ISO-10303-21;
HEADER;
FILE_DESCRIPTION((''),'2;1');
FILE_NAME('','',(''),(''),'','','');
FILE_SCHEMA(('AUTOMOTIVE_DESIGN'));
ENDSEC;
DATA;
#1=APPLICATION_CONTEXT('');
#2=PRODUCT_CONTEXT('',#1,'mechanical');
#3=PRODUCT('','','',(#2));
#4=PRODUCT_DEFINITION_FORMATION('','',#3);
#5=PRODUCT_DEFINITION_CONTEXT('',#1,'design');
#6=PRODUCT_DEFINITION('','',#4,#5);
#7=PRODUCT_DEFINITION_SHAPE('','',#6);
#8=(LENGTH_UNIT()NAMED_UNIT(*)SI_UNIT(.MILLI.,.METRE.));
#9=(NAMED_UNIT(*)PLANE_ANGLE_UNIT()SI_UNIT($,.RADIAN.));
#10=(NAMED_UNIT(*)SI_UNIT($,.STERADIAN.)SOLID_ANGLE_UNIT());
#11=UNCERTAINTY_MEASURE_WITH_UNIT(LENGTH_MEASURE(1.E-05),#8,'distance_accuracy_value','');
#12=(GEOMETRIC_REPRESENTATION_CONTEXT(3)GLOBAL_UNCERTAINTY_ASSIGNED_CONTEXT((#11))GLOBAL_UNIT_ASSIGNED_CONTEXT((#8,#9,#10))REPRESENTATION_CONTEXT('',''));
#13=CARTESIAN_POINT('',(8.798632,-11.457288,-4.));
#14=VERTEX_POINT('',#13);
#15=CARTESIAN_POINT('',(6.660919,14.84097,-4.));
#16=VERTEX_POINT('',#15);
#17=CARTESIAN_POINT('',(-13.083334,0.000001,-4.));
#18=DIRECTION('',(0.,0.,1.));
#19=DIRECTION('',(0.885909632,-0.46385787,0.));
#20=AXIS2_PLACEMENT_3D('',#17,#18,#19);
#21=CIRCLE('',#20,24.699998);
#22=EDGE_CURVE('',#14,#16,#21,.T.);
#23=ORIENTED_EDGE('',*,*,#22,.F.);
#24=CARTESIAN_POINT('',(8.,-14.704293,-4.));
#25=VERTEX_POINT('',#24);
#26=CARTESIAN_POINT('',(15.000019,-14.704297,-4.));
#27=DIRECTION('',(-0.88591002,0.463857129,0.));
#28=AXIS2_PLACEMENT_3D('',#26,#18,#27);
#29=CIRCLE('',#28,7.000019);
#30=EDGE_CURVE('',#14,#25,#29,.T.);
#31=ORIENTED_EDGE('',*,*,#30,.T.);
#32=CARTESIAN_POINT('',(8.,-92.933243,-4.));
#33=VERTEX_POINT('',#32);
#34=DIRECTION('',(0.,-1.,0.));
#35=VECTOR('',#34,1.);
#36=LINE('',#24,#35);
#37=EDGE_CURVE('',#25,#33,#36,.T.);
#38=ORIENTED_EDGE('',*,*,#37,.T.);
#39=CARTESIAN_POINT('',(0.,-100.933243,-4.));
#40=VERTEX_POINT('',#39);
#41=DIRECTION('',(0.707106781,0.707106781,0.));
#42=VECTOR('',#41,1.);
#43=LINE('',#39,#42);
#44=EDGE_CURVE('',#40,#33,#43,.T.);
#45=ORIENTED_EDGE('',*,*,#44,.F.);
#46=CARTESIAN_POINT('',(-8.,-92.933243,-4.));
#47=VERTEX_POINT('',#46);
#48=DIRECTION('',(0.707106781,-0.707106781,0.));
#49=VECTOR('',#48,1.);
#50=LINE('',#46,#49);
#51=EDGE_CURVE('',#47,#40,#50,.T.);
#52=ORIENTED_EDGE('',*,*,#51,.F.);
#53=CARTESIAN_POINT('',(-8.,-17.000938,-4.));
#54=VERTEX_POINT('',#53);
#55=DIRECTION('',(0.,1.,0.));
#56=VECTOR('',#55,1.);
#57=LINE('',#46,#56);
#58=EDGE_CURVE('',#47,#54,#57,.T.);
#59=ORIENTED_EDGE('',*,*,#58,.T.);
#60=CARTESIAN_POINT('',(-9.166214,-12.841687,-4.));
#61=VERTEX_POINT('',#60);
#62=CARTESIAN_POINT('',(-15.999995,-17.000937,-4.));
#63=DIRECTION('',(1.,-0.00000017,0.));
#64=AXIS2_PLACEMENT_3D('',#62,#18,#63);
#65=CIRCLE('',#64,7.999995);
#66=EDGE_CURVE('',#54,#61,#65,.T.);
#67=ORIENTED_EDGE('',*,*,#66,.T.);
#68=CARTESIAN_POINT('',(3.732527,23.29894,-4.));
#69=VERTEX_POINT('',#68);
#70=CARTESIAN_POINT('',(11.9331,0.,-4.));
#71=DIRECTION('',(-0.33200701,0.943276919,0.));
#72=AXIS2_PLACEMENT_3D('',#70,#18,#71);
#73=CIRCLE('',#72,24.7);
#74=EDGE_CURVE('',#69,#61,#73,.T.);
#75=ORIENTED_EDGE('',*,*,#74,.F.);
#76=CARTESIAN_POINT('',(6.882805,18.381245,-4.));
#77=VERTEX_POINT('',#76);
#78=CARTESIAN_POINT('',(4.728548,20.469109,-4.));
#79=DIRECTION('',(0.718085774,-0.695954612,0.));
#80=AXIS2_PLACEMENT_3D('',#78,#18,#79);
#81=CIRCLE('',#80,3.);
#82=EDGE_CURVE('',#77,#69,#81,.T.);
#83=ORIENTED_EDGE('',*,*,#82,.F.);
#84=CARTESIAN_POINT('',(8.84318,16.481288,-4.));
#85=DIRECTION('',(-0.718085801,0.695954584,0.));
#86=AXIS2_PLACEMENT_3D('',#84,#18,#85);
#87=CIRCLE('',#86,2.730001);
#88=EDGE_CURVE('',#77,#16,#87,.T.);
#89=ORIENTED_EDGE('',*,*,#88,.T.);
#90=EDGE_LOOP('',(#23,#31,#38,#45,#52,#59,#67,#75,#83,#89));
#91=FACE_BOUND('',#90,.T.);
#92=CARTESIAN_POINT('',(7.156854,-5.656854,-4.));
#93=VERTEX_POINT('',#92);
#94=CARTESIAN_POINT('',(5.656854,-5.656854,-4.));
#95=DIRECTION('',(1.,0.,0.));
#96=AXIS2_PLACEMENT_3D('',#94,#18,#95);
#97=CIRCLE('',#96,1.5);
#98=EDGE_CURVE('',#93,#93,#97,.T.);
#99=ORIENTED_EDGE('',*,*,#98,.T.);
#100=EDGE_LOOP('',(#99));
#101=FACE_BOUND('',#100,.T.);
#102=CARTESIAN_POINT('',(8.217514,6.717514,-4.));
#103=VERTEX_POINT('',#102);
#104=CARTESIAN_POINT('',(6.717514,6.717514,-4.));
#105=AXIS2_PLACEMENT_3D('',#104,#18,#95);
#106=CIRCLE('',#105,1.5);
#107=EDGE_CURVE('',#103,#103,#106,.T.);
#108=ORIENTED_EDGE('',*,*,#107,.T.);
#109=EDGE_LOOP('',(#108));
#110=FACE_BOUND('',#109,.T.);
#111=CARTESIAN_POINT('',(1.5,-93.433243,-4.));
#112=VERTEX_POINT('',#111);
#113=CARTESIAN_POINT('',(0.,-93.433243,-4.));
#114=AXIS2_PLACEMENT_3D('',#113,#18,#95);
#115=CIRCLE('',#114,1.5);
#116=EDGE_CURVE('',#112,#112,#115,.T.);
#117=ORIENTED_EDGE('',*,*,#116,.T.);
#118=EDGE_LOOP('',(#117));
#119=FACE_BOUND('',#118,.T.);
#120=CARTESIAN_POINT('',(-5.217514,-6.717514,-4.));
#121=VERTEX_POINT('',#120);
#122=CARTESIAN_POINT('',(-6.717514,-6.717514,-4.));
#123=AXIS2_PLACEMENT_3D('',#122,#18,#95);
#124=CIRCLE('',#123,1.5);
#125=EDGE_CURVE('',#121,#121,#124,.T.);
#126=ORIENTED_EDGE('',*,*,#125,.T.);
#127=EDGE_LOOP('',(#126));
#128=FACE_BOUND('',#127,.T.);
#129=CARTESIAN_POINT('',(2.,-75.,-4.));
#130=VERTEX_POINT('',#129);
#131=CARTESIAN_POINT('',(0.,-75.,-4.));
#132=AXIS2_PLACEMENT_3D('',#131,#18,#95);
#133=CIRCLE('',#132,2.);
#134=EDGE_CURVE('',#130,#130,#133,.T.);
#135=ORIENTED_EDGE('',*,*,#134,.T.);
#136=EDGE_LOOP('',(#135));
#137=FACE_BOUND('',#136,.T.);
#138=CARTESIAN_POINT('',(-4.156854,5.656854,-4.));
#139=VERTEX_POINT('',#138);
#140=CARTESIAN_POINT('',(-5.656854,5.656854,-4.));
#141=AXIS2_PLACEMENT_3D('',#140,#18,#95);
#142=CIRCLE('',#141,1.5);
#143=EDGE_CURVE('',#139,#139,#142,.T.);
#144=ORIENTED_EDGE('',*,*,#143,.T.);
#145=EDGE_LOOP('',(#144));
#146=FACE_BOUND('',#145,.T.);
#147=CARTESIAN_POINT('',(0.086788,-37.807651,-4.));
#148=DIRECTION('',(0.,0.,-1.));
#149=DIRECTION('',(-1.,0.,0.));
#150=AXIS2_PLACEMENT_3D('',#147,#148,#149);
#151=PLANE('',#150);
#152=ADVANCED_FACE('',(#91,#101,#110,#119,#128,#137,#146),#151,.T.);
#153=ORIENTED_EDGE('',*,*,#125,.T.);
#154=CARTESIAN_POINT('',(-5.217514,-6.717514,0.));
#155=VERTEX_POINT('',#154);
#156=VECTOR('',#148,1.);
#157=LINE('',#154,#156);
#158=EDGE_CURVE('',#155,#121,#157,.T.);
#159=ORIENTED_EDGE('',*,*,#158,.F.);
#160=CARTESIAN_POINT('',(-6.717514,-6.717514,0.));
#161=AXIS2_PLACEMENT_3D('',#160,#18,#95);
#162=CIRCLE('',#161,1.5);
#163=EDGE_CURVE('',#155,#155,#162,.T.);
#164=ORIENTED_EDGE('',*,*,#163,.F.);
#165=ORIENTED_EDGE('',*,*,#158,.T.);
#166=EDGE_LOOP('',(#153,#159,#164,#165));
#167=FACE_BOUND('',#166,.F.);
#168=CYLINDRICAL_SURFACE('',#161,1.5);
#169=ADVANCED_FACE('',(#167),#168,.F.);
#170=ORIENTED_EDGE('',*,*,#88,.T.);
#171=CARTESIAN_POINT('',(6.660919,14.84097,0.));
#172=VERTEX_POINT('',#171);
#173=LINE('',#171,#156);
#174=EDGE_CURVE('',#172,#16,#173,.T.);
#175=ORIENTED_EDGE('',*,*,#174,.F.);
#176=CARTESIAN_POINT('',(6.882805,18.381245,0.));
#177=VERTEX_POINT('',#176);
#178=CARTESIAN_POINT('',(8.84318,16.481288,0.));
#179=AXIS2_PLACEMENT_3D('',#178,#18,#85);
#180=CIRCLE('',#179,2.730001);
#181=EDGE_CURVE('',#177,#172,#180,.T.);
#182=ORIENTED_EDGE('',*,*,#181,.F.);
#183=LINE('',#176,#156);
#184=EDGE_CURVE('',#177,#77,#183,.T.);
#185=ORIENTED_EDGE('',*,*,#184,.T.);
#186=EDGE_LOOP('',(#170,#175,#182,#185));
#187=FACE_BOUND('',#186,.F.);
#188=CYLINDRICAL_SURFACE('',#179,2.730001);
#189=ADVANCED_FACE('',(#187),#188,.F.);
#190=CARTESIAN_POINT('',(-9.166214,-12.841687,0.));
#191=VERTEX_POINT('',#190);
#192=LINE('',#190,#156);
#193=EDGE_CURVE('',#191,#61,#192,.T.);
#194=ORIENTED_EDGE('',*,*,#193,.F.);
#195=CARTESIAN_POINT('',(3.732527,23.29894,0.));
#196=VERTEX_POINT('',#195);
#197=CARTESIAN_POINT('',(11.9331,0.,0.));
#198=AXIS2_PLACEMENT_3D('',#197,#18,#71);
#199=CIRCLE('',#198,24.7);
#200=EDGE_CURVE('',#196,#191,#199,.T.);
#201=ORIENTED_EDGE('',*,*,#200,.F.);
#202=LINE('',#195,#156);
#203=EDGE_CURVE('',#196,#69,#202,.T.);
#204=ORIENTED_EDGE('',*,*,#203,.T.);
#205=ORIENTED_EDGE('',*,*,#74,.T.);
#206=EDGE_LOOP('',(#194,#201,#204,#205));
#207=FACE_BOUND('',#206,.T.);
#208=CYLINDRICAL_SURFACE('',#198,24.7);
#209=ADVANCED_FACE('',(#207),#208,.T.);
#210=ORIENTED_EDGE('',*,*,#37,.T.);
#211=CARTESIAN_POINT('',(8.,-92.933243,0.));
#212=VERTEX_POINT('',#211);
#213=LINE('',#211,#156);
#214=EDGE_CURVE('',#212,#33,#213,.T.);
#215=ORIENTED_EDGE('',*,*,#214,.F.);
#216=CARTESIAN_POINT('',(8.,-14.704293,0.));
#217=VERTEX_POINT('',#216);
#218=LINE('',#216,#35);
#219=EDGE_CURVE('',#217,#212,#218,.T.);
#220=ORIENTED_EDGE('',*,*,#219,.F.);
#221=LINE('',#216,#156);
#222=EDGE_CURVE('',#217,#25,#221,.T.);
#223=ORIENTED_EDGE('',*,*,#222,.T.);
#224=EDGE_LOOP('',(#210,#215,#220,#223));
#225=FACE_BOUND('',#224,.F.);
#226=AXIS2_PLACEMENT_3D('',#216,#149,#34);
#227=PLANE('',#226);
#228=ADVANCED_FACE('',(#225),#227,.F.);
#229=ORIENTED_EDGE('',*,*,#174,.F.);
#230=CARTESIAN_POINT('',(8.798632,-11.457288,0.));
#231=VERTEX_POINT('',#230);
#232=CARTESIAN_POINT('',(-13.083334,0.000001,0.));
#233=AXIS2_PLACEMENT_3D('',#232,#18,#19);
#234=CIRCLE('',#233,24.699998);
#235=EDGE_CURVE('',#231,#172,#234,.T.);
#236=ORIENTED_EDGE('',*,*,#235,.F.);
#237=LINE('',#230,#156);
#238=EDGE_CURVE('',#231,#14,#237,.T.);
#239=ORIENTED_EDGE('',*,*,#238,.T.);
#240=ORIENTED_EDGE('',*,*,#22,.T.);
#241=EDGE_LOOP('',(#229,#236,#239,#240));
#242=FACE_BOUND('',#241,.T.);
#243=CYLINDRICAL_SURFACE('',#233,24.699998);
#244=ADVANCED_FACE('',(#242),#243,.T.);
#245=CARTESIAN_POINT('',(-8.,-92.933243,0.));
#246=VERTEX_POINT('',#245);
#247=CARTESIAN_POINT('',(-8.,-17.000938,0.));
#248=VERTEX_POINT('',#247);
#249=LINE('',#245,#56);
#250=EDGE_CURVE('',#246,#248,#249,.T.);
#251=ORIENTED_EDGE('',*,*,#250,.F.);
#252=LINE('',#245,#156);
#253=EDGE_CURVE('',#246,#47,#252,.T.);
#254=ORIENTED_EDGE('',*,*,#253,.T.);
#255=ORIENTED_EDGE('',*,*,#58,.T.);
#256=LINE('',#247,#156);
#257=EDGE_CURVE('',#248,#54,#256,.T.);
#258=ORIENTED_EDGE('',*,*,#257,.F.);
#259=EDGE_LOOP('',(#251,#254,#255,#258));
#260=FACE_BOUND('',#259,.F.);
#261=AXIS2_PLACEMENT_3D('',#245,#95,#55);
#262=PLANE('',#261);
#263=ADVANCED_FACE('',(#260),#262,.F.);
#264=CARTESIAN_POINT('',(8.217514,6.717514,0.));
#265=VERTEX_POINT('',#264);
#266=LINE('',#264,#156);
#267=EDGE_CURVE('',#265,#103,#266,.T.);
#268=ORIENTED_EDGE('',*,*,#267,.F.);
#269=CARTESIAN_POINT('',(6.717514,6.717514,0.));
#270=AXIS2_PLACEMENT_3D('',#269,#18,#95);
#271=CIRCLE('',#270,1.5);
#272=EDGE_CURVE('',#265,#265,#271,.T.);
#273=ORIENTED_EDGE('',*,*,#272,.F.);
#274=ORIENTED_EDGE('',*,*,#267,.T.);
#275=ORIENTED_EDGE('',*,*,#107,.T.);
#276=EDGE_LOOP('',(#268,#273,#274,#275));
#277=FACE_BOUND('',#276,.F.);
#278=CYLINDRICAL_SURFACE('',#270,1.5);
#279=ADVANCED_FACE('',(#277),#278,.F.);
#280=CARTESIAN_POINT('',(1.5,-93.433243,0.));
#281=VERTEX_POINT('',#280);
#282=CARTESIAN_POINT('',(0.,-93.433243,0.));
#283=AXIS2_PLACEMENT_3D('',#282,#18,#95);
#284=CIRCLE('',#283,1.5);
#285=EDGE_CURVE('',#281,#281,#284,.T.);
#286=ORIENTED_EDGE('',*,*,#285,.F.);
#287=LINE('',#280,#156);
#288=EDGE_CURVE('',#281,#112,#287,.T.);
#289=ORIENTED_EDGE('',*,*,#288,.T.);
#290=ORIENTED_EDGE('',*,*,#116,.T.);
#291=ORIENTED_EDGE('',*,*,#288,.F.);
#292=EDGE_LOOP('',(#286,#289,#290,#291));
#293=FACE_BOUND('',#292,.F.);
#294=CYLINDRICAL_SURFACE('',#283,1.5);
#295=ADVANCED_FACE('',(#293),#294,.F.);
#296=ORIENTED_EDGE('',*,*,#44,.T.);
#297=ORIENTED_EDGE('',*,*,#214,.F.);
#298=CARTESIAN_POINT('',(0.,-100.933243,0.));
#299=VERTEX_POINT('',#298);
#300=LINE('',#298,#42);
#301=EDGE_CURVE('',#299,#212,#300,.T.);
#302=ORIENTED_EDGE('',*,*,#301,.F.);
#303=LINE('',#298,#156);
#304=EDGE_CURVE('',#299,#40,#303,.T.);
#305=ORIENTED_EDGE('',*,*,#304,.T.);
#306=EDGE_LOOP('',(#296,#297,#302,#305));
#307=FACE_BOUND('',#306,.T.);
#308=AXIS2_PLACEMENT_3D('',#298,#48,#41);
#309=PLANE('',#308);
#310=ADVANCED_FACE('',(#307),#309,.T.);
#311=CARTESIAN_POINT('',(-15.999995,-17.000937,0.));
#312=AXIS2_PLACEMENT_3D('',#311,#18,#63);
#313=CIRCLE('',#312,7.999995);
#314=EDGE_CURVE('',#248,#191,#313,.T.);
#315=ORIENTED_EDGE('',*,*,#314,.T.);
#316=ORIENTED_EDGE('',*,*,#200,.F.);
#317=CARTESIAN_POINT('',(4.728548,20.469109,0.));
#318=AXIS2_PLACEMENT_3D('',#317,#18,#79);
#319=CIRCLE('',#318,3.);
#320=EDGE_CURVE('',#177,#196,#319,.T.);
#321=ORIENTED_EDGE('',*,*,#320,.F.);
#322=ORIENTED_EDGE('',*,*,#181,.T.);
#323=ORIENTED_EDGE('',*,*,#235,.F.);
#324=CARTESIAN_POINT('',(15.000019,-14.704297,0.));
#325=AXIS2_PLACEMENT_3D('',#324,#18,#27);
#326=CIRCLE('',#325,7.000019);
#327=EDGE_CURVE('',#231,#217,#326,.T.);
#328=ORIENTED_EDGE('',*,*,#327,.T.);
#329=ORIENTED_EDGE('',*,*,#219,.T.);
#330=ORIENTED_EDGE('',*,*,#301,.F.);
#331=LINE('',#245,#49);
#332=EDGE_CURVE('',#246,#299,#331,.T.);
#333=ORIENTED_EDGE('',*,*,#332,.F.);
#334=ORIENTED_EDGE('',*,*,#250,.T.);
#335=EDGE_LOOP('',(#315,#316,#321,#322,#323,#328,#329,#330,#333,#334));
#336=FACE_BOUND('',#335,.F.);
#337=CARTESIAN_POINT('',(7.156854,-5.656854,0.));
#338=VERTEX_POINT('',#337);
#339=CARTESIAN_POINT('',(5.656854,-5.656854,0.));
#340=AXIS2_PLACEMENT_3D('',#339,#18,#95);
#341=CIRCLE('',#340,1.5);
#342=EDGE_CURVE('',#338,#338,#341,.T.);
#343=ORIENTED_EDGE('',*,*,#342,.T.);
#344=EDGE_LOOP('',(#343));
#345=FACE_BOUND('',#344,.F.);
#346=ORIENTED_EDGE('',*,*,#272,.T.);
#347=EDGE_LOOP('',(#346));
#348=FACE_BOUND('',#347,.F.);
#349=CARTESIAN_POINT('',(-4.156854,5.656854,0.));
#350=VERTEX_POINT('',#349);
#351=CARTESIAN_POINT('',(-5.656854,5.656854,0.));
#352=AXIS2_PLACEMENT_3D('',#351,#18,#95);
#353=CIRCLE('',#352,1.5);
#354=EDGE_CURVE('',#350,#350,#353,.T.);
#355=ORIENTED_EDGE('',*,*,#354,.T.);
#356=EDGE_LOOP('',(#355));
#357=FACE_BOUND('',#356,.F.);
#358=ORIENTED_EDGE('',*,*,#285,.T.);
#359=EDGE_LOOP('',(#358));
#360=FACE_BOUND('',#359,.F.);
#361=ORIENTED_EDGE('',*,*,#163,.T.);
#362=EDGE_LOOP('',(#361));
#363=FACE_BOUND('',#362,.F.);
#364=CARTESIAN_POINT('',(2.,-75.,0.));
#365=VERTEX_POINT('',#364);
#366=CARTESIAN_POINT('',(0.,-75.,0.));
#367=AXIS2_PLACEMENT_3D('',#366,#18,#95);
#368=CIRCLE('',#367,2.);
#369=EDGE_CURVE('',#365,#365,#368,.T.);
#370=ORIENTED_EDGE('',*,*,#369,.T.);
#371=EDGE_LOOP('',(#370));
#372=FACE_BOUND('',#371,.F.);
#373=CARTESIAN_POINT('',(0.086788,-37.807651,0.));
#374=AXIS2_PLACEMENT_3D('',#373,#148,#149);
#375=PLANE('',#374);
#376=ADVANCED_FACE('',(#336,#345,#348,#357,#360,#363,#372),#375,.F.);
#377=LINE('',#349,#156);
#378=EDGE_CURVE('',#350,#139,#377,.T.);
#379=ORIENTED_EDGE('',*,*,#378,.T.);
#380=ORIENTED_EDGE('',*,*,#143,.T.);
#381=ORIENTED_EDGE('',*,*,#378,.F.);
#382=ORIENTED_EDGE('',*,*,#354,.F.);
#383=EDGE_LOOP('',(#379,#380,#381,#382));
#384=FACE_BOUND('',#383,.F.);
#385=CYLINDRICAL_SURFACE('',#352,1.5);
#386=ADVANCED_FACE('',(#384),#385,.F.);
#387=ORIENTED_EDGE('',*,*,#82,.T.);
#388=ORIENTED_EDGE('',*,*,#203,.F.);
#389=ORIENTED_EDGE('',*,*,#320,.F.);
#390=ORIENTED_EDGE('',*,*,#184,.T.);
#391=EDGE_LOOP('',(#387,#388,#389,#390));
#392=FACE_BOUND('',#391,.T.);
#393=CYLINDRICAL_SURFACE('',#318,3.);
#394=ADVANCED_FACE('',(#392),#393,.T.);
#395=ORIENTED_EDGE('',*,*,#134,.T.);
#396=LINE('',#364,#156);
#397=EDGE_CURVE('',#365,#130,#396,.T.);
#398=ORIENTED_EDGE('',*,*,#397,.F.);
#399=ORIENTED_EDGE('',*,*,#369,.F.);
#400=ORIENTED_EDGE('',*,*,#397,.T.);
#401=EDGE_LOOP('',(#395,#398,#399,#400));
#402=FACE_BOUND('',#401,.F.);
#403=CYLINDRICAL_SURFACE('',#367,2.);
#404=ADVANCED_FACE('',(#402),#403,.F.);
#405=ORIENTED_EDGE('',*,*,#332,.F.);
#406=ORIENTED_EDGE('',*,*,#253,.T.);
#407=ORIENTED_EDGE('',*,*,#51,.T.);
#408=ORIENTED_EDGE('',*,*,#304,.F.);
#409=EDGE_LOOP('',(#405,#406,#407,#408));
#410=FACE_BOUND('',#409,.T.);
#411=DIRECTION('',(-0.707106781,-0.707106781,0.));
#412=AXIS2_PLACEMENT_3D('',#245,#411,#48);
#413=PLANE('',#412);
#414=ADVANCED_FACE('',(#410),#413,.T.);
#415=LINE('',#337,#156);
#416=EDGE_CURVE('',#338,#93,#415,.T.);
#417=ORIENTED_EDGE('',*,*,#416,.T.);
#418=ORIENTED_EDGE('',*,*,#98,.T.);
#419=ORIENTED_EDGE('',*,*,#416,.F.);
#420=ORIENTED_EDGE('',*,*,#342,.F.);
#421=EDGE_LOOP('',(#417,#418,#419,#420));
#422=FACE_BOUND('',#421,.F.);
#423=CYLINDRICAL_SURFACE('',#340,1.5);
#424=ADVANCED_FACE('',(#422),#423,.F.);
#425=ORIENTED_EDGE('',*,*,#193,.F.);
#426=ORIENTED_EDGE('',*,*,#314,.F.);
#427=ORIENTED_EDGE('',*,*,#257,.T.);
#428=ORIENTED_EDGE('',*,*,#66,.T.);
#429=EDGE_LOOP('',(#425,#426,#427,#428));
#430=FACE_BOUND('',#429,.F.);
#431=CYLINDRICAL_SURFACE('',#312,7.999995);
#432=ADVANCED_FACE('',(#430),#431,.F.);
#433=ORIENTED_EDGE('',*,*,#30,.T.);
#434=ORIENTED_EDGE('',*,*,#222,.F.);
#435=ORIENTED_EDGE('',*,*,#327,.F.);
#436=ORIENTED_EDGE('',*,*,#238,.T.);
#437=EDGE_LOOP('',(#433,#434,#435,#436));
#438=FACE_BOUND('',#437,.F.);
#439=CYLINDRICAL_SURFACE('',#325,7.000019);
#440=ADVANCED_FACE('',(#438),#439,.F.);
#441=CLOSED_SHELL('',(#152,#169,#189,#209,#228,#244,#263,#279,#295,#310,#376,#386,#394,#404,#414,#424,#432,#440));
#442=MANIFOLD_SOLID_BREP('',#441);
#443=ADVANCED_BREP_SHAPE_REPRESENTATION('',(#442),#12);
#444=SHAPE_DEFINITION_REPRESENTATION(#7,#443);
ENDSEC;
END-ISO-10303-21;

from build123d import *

# Parameters (mm, degrees)
SKETCH002_R      = 2
SKETCH002_R_2    = 1.5
EXTRUDE001_DEPTH = 4


with BuildPart() as part:
    # Sketch002 → Extrude001 (new body)
    with BuildSketch(Plane.XY):
        with BuildLine():
            Line((-8, -92.933243), (-8, -17.000938))
            ThreePointArc((-8, -17.000938), (-8.297069, -14.84111), (-9.166214, -12.841687))
            ThreePointArc((3.732527, 23.29894), (-11.329683, 8.302585), (-9.166214, -12.841687))
            ThreePointArc((6.882805, 18.381245), (7.254673, 22.087346), (3.732527, 23.29894))
            ThreePointArc((6.882805, 18.381245), (6.118525, 16.652055), (6.660919, 14.84097))
            ThreePointArc((8.798632, -11.457288), (11.535462, 2.001195), (6.660919, 14.84097))
            ThreePointArc((8.798632, -11.457288), (8.20259, -13.032404), (8, -14.704293))
            Line((8, -14.704293), (8, -45.025379))
            Line((8, -45.025379), (8, -92.933243))
            Line((0, -100.933243), (8, -92.933243))
            Line((-8, -92.933243), (0, -100.933243))
        make_face()
        with Locations((0, -75)):
            Circle(SKETCH002_R, mode=Mode.SUBTRACT)
        with Locations((0, -93.433243)):
            Circle(SKETCH002_R_2, mode=Mode.SUBTRACT)
        with Locations((6.717514, 6.717514)):
            Circle(SKETCH002_R_2, mode=Mode.SUBTRACT)
        with Locations((5.656854, -5.656854)):
            Circle(SKETCH002_R_2, mode=Mode.SUBTRACT)
        with Locations((-6.717514, -6.717514)):
            Circle(SKETCH002_R_2, mode=Mode.SUBTRACT)
        with Locations((-5.656854, 5.656854)):
            Circle(SKETCH002_R_2, mode=Mode.SUBTRACT)
    extrude(amount=-EXTRUDE001_DEPTH)


solid = part.part
